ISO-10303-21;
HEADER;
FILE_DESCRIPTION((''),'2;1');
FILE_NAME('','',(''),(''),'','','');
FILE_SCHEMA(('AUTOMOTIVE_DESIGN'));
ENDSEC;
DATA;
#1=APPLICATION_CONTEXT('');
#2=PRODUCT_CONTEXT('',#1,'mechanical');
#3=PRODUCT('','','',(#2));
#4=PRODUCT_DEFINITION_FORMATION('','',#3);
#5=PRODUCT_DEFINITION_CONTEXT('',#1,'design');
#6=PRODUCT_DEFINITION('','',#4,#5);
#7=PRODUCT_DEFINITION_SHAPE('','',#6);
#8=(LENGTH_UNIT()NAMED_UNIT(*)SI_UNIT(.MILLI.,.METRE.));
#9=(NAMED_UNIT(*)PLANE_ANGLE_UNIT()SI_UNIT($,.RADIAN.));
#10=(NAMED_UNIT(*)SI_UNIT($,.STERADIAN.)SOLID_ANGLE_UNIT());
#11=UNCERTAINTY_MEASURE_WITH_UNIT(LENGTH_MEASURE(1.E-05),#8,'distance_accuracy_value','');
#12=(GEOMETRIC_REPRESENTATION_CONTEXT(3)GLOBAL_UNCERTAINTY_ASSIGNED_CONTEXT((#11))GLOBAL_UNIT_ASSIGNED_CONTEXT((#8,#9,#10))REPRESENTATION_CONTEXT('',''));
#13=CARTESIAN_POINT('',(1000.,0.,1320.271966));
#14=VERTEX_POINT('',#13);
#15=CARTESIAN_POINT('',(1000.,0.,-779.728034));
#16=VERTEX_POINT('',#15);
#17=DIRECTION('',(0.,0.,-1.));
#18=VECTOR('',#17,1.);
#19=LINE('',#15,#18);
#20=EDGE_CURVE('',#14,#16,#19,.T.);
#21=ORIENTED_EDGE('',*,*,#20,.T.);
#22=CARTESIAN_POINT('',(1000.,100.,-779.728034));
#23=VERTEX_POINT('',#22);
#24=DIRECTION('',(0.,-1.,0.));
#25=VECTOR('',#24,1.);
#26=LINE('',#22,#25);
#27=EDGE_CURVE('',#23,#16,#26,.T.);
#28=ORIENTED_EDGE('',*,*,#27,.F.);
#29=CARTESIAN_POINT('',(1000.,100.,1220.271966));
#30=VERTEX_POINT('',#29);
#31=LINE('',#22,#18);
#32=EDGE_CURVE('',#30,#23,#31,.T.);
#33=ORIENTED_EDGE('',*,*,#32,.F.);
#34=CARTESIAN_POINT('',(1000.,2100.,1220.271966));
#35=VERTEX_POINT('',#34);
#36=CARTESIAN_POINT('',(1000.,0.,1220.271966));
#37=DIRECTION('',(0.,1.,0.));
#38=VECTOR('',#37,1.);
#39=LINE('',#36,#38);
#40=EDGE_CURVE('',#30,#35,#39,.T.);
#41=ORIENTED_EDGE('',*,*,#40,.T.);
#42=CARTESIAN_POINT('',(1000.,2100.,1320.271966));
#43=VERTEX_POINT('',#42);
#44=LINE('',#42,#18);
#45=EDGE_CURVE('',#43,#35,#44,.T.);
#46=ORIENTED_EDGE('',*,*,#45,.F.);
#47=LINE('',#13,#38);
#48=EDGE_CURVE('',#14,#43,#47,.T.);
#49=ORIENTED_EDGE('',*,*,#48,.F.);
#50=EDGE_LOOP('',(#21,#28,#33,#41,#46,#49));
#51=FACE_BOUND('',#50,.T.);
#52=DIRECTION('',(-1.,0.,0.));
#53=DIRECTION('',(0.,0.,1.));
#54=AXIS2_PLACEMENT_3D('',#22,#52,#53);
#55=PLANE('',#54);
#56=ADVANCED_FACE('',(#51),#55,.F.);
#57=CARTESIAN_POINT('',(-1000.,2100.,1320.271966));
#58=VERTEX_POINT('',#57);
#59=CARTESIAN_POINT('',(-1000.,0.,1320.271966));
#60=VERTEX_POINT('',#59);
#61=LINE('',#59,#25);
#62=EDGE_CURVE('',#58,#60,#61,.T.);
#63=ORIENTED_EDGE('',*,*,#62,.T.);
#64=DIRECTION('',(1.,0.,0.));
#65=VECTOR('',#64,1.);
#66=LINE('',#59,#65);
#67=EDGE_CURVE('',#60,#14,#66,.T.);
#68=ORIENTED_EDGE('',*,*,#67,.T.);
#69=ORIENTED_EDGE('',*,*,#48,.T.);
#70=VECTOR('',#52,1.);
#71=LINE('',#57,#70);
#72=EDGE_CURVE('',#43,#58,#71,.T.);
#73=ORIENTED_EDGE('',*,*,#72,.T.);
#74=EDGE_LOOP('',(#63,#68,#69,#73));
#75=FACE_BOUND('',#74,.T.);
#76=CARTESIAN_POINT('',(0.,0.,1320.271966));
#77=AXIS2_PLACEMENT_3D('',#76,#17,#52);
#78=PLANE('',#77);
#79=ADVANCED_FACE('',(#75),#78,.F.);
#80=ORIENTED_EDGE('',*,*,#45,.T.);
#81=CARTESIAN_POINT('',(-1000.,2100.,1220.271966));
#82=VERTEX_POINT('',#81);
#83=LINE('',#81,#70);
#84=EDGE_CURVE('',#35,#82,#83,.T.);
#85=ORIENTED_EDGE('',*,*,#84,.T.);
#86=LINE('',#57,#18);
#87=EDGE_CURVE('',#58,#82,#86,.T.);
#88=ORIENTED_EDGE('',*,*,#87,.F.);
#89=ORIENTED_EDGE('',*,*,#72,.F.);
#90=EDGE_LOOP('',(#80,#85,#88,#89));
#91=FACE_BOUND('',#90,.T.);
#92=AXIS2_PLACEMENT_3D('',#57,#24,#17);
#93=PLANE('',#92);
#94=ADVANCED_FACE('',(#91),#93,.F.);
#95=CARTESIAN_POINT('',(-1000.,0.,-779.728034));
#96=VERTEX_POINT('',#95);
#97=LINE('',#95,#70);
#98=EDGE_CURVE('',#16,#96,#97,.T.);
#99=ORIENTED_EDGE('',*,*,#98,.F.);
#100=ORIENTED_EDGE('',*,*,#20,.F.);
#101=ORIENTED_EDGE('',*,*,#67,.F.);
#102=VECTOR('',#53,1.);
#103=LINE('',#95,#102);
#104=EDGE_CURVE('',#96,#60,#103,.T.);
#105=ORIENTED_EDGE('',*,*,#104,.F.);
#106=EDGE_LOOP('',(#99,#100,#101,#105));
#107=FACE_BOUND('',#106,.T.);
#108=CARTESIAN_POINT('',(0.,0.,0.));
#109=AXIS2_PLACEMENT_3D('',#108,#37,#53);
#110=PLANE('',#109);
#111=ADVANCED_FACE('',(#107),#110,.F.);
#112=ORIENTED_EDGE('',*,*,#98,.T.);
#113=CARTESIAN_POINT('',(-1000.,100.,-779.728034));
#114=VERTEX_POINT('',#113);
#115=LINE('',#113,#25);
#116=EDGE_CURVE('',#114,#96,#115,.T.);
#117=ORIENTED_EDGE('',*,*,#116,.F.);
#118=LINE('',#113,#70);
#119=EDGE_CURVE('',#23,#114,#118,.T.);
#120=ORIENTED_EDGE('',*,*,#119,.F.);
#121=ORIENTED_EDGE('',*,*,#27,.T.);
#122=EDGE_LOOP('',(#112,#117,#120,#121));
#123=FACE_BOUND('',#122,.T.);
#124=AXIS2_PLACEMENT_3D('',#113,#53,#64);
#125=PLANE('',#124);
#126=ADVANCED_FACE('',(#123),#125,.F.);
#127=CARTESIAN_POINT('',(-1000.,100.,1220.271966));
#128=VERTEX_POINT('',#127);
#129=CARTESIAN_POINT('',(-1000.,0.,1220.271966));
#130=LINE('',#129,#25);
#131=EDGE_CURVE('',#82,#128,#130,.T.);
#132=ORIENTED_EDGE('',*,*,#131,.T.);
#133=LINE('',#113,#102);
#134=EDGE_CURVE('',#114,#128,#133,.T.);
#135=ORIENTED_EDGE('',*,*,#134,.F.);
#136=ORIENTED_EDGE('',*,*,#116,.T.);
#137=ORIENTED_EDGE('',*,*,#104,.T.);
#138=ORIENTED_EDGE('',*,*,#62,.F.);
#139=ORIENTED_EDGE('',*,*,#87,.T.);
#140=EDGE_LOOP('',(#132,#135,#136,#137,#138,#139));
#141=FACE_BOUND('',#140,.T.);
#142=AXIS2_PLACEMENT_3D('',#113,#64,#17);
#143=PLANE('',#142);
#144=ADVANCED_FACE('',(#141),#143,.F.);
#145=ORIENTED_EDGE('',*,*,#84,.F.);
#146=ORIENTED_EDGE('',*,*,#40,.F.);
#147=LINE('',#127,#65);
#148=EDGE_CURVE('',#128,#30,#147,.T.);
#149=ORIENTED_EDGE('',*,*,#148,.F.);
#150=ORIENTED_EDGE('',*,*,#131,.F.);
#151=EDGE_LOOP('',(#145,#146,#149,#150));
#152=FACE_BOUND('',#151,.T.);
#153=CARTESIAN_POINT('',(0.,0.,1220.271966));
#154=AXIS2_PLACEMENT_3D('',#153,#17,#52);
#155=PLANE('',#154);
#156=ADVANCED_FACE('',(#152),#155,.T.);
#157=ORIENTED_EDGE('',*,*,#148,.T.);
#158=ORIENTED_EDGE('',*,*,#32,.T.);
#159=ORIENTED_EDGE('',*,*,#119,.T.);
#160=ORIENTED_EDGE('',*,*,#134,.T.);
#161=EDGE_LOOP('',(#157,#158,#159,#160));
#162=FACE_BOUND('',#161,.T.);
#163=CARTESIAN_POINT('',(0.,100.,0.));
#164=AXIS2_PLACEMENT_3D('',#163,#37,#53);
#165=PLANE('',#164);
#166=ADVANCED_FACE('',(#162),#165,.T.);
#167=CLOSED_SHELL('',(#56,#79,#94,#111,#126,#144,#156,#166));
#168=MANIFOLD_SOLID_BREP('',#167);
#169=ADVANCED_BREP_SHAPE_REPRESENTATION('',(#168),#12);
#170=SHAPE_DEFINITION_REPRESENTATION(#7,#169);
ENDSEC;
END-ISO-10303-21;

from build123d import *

# Parameters (mm, degrees)
SKETCH1_W           = 2000
SKETCH1_H           = 2000
BOSS_EXTRUDE1_DEPTH = 100
SKETCH2_W           = 2000
SKETCH2_H           = 2100
BOSS_EXTRUDE2_DEPTH = 100


with BuildPart() as part:
    # Sketch1 → Boss-Extrude1 (new body)
    with BuildSketch(Plane(origin=(0, 0, 0), x_dir=(1, 0, 0), z_dir=(0, 1, 0))):
        with Locations((0, -220.271966456)):
            Rectangle(SKETCH1_W, SKETCH1_H)
    extrude(amount=BOSS_EXTRUDE1_DEPTH)

    # Sketch2 → Boss-Extrude2 (add)
    with BuildSketch(Plane.XY.offset(1220.271966456)):
        with Locations((0, 1050)):
            Rectangle(SKETCH2_W, SKETCH2_H)
    extrude(amount=BOSS_EXTRUDE2_DEPTH)


solid = part.part
